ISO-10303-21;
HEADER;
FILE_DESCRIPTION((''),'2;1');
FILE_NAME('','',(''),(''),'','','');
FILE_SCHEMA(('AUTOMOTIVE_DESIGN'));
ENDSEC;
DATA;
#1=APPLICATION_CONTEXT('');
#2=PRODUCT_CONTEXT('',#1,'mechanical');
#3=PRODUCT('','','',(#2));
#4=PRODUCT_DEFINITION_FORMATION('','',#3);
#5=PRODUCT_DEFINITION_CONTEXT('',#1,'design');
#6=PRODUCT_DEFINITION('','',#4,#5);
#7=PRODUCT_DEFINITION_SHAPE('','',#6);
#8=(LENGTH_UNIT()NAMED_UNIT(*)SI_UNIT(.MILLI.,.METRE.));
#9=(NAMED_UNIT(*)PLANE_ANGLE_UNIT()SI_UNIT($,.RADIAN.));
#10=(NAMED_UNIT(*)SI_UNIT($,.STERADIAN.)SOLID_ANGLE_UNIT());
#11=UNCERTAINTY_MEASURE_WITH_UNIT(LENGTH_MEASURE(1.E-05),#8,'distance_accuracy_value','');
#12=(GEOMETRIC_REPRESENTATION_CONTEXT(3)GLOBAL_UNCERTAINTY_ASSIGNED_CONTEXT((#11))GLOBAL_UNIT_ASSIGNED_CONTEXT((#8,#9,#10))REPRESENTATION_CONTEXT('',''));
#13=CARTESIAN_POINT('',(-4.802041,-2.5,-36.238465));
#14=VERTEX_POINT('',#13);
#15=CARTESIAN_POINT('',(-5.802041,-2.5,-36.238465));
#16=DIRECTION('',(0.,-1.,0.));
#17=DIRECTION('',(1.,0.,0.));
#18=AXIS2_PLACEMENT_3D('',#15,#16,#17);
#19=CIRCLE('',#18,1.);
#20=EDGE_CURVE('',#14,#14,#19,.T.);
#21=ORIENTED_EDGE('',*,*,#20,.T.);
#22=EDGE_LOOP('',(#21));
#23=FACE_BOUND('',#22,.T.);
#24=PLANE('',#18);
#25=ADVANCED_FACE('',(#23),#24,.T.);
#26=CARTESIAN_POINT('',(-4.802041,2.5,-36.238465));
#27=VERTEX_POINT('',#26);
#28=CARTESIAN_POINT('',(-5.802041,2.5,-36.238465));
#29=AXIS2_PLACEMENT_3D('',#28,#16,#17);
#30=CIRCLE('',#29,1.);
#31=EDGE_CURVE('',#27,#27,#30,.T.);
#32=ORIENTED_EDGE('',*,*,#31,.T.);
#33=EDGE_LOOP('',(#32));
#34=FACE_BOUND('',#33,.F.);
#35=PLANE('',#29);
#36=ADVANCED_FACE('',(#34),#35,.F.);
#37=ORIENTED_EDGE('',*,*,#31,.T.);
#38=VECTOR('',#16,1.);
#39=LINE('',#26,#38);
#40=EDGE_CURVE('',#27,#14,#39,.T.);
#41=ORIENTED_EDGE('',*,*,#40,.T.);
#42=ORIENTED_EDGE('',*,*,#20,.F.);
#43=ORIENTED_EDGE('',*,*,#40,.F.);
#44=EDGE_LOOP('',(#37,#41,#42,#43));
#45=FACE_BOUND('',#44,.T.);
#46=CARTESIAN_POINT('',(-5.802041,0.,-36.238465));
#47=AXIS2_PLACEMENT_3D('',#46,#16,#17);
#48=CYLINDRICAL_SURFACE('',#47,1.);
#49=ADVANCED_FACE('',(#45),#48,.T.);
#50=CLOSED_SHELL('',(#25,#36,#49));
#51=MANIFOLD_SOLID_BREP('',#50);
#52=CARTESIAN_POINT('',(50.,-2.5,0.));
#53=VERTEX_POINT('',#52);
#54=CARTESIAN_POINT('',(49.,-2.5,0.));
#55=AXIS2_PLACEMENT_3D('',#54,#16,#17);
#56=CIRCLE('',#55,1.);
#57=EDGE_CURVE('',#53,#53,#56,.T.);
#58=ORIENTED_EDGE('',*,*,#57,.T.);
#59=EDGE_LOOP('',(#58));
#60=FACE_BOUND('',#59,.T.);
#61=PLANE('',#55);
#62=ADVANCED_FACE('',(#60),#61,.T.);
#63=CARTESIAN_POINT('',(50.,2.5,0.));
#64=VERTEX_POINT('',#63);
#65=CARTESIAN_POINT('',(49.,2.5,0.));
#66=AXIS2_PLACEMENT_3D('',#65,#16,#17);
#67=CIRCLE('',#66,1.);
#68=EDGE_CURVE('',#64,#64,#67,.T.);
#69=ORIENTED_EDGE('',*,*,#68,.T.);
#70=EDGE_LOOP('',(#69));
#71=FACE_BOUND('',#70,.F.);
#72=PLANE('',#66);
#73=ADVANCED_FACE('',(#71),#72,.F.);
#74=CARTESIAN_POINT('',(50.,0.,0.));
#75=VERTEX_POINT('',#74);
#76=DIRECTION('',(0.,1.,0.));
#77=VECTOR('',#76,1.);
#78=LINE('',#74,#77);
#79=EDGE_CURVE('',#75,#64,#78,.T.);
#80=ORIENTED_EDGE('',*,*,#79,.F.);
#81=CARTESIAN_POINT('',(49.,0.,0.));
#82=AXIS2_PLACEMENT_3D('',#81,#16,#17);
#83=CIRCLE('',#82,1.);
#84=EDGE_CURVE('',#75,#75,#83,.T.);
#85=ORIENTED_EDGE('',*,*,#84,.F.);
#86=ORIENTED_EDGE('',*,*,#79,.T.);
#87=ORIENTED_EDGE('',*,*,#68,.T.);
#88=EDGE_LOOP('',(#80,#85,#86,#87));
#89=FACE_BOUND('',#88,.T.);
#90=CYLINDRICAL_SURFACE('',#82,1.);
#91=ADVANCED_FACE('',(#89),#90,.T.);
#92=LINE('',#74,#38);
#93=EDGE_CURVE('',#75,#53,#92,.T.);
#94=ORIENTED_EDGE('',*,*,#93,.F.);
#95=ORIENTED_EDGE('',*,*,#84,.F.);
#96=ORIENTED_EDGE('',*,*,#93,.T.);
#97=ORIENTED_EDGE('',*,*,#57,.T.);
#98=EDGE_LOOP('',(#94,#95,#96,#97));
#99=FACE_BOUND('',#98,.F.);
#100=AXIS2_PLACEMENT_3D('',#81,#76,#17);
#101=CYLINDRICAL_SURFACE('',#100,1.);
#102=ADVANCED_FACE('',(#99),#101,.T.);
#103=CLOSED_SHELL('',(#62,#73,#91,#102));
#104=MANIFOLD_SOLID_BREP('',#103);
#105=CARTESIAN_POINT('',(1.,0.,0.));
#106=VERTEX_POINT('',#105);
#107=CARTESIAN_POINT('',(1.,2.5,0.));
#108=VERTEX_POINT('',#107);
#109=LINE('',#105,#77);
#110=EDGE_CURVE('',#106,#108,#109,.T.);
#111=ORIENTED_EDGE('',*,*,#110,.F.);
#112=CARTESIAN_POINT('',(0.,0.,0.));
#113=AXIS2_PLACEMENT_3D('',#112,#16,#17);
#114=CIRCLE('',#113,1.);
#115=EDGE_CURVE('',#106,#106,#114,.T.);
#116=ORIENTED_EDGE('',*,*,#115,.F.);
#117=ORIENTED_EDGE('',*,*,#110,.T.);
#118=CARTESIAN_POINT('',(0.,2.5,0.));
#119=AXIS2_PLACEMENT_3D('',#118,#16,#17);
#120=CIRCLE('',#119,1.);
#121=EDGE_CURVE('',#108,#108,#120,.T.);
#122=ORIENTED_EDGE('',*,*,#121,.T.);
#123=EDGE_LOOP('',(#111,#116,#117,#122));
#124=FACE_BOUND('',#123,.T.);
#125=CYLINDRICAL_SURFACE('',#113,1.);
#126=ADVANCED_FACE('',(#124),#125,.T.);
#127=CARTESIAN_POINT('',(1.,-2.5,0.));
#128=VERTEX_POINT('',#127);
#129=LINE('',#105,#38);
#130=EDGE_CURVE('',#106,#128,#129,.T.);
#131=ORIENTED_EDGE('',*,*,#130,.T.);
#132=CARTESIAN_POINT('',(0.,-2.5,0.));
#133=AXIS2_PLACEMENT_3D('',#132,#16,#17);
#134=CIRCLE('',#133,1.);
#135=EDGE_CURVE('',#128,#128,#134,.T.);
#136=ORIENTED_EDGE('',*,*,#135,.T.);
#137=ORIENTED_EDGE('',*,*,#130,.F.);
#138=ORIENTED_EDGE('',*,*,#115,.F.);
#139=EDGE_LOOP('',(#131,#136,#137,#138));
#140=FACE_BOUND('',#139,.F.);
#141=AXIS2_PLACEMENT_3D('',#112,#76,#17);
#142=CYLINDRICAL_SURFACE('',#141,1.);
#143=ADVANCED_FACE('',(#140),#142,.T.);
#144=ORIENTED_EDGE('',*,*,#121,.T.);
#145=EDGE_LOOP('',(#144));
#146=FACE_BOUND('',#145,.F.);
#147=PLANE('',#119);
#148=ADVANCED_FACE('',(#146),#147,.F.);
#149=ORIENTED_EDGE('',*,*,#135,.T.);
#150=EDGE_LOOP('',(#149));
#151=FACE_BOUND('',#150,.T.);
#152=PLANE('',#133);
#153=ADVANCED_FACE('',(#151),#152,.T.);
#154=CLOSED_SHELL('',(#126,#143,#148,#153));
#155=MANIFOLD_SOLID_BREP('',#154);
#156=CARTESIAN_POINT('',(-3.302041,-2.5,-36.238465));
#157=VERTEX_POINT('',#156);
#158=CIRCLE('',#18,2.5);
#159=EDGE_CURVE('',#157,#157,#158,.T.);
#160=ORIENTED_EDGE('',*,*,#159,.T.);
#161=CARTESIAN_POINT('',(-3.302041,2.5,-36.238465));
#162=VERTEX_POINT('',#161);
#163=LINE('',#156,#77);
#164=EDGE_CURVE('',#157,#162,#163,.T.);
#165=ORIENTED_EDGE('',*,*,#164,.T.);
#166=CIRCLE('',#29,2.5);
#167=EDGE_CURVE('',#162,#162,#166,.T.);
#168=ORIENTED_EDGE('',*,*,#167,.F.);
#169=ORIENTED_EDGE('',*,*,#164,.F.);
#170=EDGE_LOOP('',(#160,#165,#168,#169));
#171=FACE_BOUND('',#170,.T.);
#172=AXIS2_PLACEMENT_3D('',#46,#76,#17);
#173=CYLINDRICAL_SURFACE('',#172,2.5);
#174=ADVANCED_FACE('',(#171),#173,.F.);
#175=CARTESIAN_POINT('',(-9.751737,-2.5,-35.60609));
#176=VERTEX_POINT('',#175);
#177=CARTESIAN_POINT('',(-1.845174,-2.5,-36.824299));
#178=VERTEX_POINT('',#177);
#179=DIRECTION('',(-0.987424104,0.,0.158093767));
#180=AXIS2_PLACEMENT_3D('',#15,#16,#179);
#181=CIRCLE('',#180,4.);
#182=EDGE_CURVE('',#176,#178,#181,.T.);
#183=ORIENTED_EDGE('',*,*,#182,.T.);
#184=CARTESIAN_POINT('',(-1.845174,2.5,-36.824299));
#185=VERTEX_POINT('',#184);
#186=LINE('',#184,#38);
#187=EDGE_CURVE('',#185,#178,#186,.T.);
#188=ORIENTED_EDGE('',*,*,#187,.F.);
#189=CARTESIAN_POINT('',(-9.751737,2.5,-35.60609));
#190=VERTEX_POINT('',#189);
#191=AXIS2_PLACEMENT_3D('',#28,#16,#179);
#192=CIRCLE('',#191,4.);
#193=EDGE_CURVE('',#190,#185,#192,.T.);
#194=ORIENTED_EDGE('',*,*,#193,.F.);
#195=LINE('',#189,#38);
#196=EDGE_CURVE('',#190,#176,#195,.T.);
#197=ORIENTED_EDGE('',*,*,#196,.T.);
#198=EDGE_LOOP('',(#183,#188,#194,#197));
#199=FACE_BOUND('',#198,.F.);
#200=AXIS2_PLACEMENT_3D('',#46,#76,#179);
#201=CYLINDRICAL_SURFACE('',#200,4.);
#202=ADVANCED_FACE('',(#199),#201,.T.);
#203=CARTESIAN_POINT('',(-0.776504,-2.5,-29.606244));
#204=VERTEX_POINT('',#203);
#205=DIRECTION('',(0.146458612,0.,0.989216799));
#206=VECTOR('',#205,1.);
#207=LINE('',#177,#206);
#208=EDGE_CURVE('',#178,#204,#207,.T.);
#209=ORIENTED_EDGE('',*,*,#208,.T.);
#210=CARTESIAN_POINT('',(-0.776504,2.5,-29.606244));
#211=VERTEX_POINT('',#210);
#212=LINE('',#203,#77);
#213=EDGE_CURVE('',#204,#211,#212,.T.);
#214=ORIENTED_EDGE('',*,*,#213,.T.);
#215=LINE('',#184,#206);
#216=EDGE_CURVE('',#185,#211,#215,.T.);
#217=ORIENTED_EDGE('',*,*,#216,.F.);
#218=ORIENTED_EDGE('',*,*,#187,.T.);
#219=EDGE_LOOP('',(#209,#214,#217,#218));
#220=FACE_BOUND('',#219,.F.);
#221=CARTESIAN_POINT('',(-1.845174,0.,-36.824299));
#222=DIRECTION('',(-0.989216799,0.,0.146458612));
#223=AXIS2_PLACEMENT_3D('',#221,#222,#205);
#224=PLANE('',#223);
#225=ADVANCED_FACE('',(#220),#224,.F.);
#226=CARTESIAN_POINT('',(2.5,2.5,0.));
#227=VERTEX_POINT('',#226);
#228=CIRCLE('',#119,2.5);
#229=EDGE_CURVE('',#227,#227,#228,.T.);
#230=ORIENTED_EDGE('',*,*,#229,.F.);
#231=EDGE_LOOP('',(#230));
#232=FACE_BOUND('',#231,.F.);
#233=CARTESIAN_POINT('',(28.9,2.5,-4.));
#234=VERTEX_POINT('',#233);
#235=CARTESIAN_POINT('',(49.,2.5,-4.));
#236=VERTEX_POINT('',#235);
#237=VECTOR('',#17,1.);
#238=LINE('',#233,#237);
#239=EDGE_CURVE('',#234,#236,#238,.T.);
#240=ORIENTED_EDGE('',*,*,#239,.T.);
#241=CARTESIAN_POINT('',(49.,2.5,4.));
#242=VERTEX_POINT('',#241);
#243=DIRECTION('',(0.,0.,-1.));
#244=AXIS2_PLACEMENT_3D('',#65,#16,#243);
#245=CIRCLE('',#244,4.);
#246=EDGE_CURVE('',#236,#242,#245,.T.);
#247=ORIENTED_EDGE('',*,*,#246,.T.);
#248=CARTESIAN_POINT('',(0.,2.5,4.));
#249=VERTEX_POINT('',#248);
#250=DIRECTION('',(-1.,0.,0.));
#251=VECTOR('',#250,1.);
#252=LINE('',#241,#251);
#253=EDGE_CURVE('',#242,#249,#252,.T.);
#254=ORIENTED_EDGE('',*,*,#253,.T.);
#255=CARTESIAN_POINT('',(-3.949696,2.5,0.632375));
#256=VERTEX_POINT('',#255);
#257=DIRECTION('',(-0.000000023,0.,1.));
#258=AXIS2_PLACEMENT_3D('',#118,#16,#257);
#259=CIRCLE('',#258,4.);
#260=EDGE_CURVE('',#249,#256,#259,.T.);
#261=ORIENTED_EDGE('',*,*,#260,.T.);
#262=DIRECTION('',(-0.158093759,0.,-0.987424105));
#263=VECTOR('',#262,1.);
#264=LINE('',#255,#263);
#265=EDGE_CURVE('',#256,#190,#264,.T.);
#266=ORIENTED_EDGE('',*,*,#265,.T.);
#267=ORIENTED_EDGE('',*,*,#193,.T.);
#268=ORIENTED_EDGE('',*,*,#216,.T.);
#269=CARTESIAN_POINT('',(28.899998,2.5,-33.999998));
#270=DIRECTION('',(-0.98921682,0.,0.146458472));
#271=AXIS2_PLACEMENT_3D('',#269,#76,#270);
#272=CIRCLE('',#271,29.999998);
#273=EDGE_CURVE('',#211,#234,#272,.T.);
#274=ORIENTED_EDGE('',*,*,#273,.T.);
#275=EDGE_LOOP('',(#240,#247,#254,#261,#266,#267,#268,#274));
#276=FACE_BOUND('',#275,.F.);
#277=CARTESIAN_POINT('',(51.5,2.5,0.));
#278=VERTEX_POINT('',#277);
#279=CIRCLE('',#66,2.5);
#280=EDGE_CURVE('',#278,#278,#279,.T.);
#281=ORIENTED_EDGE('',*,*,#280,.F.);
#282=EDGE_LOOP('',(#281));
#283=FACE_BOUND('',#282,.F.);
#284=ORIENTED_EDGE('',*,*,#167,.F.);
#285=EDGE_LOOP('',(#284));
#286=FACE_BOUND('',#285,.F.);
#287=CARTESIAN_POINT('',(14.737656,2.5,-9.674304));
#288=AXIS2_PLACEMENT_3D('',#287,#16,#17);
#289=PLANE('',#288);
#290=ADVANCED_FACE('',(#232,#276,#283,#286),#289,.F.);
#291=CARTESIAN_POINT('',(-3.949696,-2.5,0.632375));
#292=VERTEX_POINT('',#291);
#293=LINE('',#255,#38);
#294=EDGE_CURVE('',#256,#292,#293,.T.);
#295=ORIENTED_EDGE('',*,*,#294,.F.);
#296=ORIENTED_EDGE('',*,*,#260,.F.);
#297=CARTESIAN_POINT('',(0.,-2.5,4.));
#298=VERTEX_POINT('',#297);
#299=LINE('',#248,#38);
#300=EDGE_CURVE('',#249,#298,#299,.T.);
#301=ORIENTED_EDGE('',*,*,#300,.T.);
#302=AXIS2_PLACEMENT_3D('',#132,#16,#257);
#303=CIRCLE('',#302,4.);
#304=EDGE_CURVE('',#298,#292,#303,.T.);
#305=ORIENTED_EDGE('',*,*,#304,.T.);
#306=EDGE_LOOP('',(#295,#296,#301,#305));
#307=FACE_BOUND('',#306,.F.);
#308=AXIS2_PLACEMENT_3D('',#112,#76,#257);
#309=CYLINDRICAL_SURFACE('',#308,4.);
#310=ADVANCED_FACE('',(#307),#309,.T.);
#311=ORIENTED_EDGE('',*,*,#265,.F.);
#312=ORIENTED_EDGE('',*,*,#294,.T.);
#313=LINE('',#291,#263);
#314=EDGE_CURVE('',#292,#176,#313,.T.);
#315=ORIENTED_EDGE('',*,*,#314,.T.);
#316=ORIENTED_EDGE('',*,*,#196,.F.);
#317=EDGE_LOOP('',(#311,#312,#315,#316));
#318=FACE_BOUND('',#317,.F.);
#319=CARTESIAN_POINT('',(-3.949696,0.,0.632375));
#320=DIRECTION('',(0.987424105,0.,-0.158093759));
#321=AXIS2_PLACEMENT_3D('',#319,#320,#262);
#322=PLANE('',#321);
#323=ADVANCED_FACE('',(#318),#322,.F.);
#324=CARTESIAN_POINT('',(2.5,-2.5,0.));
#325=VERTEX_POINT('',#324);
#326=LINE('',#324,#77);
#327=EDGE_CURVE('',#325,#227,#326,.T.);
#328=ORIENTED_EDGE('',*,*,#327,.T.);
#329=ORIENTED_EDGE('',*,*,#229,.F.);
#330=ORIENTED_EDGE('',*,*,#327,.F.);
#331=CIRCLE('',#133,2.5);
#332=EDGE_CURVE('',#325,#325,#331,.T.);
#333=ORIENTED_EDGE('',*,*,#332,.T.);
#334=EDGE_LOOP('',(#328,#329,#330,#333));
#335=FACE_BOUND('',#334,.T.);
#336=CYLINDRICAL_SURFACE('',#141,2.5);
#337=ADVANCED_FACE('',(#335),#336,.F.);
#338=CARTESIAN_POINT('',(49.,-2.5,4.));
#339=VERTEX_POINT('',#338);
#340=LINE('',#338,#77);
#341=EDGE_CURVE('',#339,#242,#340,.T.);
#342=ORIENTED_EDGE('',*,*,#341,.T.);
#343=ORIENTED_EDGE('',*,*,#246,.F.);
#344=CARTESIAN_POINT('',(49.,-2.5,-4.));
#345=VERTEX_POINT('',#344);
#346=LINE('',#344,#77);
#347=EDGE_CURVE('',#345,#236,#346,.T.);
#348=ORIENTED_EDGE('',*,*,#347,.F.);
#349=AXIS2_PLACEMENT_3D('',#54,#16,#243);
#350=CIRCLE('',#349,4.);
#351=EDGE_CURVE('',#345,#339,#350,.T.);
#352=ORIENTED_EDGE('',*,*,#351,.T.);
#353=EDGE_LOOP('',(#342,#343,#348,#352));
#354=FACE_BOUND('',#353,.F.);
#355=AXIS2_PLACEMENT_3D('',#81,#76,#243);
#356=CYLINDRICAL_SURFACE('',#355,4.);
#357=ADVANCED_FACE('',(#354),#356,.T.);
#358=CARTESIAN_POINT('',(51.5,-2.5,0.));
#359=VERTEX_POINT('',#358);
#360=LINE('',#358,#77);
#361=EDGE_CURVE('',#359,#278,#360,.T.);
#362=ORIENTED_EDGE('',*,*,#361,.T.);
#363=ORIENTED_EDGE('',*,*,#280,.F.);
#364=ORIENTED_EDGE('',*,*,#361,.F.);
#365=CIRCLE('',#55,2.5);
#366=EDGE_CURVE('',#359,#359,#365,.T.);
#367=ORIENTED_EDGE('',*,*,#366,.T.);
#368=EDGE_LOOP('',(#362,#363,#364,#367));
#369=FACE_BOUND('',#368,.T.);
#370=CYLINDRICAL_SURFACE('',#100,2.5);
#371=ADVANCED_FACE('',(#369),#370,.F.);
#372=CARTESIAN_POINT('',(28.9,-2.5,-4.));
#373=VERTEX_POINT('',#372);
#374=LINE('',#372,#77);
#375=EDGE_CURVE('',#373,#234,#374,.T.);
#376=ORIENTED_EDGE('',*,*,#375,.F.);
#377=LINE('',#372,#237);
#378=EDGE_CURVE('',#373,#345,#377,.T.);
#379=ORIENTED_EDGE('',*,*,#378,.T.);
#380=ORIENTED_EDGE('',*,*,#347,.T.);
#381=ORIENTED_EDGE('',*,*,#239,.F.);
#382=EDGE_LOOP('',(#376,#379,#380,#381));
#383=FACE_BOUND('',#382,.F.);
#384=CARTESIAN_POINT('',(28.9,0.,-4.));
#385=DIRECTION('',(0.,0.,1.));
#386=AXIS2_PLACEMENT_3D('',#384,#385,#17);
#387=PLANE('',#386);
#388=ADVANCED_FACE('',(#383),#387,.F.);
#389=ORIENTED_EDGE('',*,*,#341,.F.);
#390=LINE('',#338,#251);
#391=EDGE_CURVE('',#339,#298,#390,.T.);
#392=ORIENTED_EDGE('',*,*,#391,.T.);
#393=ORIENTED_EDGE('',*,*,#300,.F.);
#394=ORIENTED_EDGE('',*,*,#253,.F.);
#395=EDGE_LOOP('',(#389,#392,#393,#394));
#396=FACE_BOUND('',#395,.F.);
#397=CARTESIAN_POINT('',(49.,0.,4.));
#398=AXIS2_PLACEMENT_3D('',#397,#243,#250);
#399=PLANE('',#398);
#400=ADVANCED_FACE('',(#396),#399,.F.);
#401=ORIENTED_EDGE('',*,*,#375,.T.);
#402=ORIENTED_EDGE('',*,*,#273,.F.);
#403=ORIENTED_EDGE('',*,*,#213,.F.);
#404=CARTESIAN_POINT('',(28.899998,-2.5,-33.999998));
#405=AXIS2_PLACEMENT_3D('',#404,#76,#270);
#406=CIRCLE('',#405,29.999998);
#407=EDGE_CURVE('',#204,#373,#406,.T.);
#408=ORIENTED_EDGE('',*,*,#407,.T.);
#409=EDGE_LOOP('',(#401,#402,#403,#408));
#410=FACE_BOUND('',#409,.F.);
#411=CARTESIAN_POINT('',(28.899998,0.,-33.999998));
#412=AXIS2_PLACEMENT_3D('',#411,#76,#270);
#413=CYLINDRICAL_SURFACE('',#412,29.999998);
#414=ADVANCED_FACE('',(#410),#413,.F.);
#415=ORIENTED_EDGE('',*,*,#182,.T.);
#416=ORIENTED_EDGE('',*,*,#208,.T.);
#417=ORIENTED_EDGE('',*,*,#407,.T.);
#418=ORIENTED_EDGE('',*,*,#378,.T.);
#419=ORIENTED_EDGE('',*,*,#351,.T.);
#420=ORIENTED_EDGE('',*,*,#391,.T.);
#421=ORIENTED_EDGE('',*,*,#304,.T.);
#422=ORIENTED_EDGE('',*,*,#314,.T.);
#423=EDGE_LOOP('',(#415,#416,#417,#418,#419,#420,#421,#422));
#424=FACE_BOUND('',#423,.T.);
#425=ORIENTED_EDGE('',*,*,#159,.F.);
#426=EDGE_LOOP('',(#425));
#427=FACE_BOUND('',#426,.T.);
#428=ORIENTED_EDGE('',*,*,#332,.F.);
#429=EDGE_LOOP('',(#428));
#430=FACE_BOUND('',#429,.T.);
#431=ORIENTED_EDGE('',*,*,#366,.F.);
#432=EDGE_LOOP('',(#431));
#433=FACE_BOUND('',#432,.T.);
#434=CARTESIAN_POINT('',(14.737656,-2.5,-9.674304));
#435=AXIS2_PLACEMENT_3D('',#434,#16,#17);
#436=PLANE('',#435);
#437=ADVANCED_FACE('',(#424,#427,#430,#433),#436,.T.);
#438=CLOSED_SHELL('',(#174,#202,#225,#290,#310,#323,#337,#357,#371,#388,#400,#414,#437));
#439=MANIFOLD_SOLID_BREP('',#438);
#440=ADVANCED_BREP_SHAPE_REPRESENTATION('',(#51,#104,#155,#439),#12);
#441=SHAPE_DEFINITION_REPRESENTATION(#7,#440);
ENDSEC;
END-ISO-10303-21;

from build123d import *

# Parameters (mm, degrees)
F0_R     = 2.5
F0_R_2   = 1
F1_DEPTH = 2.5


with BuildPart() as f1:
    # F0 (on Front) → F1 (new body, symmetric)
    with BuildSketch(Plane.XZ):
        with BuildLine():
            Line((49, 4), (0, 4))
            ThreePointArc((0, 4), (-2.595236, 3.043805), (-3.949696, 0.632375))
            Line((-3.949696, 0.632375), (-9.751737, -35.60609))
            ThreePointArc((-9.751737, -35.60609), (-6.411156, -40.191815), (-1.845174, -36.824299))
            Line((-1.845174, -36.824299), (-0.776504, -29.606244))
            ThreePointArc((-0.776504, -29.606244), (9.301692, -11.286428), (28.9, -4))
            Line((28.9, -4), (49, -4))
            ThreePointArc((49, -4), (53, 0), (49, 4))
        make_face()
        with Locations((-5.802041, -36.238465)):
            Circle(F0_R, mode=Mode.SUBTRACT)
        Circle(F0_R, mode=Mode.SUBTRACT)
        with Locations((49, 0)):
            Circle(F0_R, mode=Mode.SUBTRACT)
        with Locations((49, 0)):
            Circle(F0_R_2)
        Circle(F0_R_2)
        with Locations((-5.802041, -36.238465)):
            Circle(F0_R_2)
    extrude(amount=F1_DEPTH, both=True)


solid = f1.part
